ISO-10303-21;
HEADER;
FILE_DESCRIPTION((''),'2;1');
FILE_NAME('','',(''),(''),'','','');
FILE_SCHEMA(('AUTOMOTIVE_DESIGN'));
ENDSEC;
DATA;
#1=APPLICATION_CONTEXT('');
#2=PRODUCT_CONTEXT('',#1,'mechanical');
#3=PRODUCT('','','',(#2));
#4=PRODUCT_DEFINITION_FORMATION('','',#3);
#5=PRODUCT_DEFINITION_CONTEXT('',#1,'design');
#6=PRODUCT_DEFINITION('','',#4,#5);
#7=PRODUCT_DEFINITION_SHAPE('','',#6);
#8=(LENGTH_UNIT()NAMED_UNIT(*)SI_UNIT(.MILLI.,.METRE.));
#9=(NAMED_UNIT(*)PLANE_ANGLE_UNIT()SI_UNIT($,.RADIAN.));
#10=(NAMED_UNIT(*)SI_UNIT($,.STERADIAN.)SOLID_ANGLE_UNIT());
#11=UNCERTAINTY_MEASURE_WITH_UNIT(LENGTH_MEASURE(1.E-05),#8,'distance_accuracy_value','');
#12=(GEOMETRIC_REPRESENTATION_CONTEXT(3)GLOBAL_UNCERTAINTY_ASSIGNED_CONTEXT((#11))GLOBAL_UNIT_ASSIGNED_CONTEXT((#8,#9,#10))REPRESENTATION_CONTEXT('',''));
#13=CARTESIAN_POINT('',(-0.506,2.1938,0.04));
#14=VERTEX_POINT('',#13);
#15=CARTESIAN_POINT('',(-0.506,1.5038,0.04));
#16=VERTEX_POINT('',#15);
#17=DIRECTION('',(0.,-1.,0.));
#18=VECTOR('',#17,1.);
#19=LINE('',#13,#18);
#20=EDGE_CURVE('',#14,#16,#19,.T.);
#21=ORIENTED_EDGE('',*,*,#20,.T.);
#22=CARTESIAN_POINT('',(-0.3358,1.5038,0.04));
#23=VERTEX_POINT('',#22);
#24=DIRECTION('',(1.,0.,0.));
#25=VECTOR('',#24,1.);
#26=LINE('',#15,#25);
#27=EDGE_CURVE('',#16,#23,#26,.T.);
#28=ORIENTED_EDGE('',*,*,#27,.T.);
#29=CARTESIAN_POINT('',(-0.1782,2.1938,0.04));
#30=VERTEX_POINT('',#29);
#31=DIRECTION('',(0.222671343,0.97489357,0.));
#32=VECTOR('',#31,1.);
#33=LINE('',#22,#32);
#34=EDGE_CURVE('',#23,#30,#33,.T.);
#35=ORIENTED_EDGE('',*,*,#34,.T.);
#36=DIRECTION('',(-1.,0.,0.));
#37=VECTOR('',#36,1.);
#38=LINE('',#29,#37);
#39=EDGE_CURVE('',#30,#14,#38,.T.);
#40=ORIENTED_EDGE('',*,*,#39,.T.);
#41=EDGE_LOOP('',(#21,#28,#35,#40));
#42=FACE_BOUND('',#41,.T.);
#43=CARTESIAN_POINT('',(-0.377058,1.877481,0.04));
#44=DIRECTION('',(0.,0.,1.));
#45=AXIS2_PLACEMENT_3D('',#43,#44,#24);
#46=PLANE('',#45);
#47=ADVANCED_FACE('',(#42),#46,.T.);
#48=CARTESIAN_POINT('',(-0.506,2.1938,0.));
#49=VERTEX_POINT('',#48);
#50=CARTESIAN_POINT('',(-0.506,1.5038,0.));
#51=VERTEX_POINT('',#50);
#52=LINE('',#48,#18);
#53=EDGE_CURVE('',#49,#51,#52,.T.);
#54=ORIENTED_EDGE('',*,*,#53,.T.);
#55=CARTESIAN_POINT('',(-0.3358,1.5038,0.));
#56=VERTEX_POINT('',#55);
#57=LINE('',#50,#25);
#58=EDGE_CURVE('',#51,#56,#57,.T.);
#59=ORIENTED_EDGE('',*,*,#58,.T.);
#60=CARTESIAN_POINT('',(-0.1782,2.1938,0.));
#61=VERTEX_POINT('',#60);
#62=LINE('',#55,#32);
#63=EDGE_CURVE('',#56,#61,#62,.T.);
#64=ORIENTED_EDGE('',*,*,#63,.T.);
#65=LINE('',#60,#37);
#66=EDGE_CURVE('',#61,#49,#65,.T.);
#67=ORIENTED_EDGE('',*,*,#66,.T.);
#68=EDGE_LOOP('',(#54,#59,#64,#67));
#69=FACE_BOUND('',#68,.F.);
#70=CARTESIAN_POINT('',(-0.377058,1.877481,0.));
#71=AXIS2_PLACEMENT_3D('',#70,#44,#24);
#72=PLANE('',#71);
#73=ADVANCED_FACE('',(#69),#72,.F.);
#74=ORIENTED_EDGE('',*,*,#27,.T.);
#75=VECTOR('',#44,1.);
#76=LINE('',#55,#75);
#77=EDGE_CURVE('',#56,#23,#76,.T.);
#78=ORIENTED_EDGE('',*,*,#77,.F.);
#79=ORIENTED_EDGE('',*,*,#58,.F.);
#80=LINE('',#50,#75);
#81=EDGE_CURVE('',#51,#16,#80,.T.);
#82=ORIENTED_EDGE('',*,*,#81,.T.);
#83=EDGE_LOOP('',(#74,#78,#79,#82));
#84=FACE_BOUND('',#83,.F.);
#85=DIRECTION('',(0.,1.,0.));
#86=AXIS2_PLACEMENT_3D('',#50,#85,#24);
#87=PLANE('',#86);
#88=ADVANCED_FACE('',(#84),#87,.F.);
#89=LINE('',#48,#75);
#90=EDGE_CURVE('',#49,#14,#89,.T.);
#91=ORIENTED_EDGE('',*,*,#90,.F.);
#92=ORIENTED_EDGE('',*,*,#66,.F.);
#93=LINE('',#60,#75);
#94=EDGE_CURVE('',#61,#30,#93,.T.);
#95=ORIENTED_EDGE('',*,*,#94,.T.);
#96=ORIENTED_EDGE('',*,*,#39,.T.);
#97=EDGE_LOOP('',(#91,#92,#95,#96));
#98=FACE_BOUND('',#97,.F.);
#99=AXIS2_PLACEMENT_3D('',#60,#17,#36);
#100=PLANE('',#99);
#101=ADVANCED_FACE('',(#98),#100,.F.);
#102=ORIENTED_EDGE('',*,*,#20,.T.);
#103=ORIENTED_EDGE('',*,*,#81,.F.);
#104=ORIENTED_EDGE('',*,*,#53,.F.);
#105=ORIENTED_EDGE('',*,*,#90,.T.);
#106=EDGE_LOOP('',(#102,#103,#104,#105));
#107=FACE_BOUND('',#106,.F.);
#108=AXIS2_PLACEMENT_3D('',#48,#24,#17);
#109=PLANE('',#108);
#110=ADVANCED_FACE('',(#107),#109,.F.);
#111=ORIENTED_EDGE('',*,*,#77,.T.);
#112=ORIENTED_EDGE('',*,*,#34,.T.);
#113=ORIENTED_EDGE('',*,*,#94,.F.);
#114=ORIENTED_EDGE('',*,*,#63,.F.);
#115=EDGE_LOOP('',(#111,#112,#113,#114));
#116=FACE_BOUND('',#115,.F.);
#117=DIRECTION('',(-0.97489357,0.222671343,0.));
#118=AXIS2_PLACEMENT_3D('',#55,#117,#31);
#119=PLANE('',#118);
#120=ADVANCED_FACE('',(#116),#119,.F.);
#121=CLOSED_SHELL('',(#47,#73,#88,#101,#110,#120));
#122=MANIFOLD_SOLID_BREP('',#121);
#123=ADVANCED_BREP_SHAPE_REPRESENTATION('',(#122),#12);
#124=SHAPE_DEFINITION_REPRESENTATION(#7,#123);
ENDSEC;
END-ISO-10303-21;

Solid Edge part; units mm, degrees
sketch "Sketch1" plane through (0, 0, 0) normal (0, 0, 1) x (1, 0, 0)
  line L0 (-0.3358, 1.5038) -> (-0.1782, 2.1938)
  line L1 (-0.1782, 2.1938) -> (-0.506, 2.1938)
  line L2 (-0.506, 2.1938) -> (-0.506, 1.5038)
  line L3 (-0.506, 1.5038) -> (-0.3358, 1.5038)
extrude "Protrusion1" add sketch "Sketch1" along normal blind 0.04
